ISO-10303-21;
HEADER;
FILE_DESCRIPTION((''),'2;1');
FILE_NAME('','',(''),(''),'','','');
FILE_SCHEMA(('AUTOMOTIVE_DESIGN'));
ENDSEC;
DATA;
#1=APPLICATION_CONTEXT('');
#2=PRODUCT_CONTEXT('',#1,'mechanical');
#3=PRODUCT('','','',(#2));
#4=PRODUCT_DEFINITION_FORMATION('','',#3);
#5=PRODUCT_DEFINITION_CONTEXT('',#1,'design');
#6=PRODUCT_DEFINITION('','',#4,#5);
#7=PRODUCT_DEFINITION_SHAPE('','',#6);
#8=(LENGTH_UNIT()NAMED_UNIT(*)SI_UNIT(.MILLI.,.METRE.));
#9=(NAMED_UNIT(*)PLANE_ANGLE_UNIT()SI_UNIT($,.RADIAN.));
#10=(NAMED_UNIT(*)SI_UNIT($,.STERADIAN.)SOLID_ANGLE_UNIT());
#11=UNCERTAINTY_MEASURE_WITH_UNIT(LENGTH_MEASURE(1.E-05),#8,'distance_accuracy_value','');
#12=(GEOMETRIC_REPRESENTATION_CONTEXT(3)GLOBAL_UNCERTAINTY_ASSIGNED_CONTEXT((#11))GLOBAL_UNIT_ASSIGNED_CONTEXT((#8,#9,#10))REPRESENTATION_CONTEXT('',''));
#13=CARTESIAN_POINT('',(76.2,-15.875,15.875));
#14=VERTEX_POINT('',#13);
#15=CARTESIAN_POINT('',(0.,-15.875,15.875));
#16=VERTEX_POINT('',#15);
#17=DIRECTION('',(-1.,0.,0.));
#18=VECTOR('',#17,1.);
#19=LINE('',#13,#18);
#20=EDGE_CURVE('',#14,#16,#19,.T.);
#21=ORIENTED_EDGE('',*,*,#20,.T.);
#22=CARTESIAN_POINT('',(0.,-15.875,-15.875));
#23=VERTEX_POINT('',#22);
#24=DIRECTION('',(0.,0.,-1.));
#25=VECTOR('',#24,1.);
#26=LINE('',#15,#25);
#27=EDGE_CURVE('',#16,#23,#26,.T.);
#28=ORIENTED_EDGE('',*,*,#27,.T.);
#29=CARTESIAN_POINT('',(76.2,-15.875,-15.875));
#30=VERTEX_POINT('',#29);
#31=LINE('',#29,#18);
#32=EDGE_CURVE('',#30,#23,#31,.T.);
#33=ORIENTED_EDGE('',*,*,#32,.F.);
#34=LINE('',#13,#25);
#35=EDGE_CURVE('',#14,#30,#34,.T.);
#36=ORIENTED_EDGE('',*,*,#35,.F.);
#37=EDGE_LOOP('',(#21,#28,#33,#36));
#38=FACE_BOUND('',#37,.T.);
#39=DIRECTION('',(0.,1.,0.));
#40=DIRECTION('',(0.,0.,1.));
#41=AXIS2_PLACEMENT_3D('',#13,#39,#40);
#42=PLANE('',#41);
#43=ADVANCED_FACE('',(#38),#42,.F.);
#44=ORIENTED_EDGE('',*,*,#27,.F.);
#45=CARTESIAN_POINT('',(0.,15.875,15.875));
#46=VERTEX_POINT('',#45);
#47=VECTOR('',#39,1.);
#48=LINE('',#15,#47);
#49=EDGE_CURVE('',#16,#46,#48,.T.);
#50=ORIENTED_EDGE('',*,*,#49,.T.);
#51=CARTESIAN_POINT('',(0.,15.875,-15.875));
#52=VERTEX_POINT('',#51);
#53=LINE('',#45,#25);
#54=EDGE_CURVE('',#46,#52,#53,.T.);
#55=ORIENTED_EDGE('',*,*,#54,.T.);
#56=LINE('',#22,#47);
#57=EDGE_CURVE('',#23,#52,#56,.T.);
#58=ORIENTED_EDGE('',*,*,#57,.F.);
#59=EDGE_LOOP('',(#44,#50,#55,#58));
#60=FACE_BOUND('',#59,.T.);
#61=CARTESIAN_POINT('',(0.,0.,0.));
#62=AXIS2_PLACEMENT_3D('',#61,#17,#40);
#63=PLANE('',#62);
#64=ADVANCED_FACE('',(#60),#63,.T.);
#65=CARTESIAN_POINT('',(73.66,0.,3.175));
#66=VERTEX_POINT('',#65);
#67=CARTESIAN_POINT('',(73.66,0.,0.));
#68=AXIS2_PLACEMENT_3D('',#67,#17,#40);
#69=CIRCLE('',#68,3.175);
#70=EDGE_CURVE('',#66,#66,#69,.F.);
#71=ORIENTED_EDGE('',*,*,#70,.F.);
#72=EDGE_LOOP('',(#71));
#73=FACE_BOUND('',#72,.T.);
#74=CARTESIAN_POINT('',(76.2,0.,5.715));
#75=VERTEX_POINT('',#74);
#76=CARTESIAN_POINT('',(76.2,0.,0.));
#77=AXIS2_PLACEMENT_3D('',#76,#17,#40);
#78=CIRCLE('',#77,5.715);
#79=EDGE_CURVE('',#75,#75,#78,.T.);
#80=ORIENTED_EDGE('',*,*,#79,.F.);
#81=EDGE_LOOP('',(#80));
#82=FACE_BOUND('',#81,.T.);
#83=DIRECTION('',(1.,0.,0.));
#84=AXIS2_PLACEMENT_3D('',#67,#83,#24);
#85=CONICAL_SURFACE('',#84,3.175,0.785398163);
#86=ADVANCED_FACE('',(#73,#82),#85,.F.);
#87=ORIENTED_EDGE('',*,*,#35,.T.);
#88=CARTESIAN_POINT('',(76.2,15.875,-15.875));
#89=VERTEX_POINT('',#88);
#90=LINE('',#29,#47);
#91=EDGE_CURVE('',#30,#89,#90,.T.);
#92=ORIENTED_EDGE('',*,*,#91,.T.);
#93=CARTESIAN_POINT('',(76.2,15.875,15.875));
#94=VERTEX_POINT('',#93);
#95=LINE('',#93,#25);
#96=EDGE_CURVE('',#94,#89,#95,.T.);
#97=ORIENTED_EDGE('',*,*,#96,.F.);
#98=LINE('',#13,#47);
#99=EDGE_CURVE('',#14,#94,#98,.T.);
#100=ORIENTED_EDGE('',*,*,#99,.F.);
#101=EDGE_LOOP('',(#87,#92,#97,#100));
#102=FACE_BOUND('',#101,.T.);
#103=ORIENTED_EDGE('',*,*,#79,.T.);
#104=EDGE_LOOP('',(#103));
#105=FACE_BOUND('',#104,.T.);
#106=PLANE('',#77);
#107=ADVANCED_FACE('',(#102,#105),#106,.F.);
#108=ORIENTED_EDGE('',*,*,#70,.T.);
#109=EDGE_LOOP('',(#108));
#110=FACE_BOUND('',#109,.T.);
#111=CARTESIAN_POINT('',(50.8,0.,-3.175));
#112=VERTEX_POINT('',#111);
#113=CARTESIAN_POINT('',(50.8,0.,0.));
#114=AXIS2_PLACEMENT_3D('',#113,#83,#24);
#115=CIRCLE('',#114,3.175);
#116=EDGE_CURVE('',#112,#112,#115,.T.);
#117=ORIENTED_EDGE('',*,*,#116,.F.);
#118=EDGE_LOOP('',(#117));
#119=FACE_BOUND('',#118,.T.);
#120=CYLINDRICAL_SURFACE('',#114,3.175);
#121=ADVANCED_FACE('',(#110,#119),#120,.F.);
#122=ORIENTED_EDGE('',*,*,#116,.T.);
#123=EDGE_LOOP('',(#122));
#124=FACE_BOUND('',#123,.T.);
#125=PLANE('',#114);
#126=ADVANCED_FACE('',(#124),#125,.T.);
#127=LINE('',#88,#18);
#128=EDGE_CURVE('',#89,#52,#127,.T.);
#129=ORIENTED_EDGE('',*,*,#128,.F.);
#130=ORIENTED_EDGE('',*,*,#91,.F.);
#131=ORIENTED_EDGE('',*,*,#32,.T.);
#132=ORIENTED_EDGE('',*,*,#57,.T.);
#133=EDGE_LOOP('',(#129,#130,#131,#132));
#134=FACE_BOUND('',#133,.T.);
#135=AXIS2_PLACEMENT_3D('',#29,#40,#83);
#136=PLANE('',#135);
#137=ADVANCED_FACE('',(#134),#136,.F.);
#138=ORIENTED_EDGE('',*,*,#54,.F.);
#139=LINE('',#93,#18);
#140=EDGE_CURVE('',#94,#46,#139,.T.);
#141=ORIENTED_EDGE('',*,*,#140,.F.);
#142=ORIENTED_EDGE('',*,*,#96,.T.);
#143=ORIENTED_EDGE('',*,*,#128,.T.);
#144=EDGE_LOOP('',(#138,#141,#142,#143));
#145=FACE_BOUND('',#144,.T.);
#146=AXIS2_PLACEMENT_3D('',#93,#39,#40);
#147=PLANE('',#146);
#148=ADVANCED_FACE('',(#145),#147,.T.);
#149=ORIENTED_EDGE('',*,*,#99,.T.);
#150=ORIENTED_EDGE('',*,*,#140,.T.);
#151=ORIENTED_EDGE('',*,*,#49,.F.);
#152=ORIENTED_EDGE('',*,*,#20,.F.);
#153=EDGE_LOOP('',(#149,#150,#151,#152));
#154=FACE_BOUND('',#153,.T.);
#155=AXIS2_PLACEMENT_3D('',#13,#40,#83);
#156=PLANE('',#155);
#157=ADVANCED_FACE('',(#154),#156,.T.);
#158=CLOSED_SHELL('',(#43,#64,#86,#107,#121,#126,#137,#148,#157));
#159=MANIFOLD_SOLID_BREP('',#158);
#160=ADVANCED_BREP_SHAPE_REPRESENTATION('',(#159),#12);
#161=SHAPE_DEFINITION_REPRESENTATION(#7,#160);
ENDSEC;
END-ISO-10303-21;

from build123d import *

# Parameters (mm, degrees)
SKETCH1_W           = 31.75
SKETCH1_H           = 31.75
BOSS_EXTRUDE1_DEPTH = 76.2
SKETCH2_R           = 3.175
CUT_EXTRUDE1_DEPTH  = 25.4
CHAMFER1_SIZE       = 2.54


with BuildPart() as part:
    # Sketch1 → Boss-Extrude1 (new body)
    with BuildSketch(Plane(origin=(0, 0, 0), x_dir=(0, 0, -1), z_dir=(1, 0, 0))):
        Rectangle(SKETCH1_W, SKETCH1_H)
    extrude(amount=BOSS_EXTRUDE1_DEPTH)

    # Sketch2 → Cut-Extrude1 (cut)
    with BuildSketch(Plane(origin=(76.2, 0, 0), x_dir=(0, 0, -1), z_dir=(1, 0, 0))):
        Circle(SKETCH2_R)
    extrude(amount=-CUT_EXTRUDE1_DEPTH, mode=Mode.SUBTRACT)

    # Chamfer1
    chamfer1_edges = [part.edges().sort_by_distance(p)[0] for p in [
        (76.2, 0, 3.175),
    ]]
    chamfer(chamfer1_edges, length=CHAMFER1_SIZE)


solid = part.part
